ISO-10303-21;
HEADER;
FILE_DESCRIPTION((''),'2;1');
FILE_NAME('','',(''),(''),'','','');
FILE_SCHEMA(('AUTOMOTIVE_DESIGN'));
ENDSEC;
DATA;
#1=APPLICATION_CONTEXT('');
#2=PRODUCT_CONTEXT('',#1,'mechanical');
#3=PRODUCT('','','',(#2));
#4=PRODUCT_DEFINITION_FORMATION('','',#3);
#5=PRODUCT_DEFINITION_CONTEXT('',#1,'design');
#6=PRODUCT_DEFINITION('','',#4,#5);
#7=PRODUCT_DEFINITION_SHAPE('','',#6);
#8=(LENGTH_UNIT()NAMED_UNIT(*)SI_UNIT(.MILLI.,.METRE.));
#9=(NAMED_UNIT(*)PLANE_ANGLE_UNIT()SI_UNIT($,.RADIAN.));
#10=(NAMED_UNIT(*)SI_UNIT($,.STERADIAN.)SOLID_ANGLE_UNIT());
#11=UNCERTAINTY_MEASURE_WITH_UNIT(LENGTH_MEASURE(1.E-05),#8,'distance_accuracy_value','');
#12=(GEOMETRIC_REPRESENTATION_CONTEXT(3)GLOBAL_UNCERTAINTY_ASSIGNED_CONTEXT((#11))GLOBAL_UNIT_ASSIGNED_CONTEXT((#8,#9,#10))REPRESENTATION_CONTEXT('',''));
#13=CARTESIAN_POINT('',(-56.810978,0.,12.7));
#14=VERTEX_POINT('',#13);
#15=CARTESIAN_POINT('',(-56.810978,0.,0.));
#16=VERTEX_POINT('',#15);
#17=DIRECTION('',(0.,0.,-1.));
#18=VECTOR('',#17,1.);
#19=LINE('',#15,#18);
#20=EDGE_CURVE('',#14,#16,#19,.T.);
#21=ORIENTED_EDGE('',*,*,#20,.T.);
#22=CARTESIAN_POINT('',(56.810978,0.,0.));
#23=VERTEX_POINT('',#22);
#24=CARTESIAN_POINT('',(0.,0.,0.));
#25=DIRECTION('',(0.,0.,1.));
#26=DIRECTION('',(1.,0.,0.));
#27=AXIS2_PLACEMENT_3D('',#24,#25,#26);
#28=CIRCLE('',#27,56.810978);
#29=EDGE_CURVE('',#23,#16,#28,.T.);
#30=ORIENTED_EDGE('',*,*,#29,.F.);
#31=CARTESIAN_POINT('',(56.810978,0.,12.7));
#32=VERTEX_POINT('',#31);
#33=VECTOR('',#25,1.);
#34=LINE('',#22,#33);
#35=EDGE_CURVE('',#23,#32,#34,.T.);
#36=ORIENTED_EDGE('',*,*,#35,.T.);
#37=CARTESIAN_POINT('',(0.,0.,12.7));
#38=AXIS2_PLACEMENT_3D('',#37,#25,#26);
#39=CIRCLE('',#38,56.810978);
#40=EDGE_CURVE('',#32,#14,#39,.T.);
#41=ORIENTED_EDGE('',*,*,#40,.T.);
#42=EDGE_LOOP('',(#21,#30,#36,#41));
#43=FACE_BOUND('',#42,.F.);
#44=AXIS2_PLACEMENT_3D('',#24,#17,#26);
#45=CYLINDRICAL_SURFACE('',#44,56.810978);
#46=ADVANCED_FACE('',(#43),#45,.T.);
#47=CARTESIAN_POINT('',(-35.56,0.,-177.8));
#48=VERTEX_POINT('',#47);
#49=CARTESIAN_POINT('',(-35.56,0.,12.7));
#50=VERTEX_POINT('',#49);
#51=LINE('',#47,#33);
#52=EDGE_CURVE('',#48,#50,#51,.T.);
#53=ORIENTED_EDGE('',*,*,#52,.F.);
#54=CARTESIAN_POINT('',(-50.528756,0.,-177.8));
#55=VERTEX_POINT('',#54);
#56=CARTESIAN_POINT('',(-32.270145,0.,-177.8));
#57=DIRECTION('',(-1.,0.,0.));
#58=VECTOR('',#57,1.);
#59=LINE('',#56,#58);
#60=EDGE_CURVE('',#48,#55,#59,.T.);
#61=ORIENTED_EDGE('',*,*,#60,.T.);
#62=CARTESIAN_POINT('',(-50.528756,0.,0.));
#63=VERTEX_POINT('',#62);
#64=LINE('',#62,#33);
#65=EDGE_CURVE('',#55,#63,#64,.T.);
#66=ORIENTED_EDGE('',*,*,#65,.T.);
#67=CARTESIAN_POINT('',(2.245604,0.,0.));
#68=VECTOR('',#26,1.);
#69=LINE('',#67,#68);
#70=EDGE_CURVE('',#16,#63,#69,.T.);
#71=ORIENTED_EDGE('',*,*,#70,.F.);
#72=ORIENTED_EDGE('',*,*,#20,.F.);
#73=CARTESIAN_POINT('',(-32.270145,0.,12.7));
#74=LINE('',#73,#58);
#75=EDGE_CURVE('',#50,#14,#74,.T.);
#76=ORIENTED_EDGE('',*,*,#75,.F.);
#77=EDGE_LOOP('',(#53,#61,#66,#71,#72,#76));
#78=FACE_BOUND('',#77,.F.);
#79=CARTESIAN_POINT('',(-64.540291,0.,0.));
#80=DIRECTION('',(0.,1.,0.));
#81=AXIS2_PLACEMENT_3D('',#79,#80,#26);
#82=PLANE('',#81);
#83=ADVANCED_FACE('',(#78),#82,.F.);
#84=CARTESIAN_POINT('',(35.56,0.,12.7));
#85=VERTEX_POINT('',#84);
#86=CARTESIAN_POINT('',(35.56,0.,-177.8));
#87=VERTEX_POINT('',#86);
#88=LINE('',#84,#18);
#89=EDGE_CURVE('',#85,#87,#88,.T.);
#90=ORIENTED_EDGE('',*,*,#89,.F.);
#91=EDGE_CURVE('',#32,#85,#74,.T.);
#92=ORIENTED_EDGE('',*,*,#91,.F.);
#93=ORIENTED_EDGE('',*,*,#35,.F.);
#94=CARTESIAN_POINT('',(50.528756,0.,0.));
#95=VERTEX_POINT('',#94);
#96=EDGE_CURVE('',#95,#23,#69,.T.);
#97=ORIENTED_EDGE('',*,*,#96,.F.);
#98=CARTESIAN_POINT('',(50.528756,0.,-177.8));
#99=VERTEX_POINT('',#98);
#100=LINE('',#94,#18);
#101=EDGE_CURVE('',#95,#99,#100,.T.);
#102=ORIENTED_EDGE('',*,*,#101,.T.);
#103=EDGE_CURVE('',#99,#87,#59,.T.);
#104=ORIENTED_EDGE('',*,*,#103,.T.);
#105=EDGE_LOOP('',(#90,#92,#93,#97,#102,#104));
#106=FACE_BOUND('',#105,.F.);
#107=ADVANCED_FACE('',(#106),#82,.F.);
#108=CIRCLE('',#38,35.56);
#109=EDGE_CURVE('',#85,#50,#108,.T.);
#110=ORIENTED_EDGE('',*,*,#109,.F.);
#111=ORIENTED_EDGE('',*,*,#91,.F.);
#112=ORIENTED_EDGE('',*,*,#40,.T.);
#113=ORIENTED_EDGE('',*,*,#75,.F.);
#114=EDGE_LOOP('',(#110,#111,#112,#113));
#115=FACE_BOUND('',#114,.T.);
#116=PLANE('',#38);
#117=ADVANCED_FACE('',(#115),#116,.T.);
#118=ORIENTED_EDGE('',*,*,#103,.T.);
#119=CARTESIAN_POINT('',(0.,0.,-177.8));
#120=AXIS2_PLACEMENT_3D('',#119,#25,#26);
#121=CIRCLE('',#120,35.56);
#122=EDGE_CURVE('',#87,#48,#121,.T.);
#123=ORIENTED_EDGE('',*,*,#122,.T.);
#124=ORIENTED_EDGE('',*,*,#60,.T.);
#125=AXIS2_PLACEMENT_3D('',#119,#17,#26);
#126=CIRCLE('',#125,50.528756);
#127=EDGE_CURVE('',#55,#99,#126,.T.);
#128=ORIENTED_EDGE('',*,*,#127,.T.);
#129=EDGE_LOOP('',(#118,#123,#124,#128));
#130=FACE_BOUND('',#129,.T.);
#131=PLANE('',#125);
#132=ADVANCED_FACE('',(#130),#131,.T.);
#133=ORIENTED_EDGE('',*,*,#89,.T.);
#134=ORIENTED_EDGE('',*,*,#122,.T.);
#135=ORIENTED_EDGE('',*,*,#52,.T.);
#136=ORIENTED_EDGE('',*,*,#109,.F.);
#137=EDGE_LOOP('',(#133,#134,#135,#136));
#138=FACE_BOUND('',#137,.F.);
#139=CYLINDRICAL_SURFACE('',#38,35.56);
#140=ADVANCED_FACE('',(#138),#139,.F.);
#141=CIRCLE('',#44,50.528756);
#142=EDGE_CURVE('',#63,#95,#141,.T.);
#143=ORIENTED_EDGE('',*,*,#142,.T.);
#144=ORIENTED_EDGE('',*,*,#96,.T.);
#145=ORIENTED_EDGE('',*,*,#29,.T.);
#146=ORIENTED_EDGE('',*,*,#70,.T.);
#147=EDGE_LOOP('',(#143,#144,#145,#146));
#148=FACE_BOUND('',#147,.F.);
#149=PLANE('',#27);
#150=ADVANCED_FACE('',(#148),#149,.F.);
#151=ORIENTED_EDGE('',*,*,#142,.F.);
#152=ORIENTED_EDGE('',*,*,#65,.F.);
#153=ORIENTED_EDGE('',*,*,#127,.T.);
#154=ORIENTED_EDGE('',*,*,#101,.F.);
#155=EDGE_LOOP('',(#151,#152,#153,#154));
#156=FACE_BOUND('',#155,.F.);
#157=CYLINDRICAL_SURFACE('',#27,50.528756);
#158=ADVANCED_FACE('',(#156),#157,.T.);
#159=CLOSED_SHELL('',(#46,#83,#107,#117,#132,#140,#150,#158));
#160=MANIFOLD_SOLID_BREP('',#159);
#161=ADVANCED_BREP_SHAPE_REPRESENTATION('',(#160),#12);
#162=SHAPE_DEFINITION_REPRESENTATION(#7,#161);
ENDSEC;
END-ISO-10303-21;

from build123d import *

# Parameters (mm, degrees)
F0_R          = 56.8109783896
F1_DEPTH      = 12.7
F2_R          = 50.5287562703
F3_DEPTH      = 177.8
F4_R          = 35.56
F5_DEPTH      = 203.2
F6_W          = 133.571790182
F6_H          = 62.377858907
F7_DEPTH      = 203.2
F7_DEPTH_BACK = 25.4


with BuildPart() as f1:
    # F0 (on Top) → F1 (new body)
    with BuildSketch(Plane.XY):
        Circle(F0_R)
    extrude(amount=F1_DEPTH)

    # F2 (on face) → F3 (join)
    with BuildSketch(Plane(origin=(0, 0, 0), x_dir=(1, 0, 0), z_dir=(0, 0, -1))):
        Circle(F2_R)
    extrude(amount=F3_DEPTH)

    # F4 (on face) → F5 (cut)
    with BuildSketch(Plane.XY.offset(12.7)):
        Circle(F4_R)
    extrude(amount=-F5_DEPTH, mode=Mode.SUBTRACT)

    # F6 (on Top) → F7 (cut, two sides)
    with BuildSketch(Plane.XY) as f7_sk:
        with Locations((2.2456042352, -31.1889294535)):
            Rectangle(F6_W, F6_H)
    extrude(amount=-F7_DEPTH, mode=Mode.SUBTRACT)
    extrude(f7_sk.sketch, amount=F7_DEPTH_BACK, mode=Mode.SUBTRACT)


solid = f1.part
